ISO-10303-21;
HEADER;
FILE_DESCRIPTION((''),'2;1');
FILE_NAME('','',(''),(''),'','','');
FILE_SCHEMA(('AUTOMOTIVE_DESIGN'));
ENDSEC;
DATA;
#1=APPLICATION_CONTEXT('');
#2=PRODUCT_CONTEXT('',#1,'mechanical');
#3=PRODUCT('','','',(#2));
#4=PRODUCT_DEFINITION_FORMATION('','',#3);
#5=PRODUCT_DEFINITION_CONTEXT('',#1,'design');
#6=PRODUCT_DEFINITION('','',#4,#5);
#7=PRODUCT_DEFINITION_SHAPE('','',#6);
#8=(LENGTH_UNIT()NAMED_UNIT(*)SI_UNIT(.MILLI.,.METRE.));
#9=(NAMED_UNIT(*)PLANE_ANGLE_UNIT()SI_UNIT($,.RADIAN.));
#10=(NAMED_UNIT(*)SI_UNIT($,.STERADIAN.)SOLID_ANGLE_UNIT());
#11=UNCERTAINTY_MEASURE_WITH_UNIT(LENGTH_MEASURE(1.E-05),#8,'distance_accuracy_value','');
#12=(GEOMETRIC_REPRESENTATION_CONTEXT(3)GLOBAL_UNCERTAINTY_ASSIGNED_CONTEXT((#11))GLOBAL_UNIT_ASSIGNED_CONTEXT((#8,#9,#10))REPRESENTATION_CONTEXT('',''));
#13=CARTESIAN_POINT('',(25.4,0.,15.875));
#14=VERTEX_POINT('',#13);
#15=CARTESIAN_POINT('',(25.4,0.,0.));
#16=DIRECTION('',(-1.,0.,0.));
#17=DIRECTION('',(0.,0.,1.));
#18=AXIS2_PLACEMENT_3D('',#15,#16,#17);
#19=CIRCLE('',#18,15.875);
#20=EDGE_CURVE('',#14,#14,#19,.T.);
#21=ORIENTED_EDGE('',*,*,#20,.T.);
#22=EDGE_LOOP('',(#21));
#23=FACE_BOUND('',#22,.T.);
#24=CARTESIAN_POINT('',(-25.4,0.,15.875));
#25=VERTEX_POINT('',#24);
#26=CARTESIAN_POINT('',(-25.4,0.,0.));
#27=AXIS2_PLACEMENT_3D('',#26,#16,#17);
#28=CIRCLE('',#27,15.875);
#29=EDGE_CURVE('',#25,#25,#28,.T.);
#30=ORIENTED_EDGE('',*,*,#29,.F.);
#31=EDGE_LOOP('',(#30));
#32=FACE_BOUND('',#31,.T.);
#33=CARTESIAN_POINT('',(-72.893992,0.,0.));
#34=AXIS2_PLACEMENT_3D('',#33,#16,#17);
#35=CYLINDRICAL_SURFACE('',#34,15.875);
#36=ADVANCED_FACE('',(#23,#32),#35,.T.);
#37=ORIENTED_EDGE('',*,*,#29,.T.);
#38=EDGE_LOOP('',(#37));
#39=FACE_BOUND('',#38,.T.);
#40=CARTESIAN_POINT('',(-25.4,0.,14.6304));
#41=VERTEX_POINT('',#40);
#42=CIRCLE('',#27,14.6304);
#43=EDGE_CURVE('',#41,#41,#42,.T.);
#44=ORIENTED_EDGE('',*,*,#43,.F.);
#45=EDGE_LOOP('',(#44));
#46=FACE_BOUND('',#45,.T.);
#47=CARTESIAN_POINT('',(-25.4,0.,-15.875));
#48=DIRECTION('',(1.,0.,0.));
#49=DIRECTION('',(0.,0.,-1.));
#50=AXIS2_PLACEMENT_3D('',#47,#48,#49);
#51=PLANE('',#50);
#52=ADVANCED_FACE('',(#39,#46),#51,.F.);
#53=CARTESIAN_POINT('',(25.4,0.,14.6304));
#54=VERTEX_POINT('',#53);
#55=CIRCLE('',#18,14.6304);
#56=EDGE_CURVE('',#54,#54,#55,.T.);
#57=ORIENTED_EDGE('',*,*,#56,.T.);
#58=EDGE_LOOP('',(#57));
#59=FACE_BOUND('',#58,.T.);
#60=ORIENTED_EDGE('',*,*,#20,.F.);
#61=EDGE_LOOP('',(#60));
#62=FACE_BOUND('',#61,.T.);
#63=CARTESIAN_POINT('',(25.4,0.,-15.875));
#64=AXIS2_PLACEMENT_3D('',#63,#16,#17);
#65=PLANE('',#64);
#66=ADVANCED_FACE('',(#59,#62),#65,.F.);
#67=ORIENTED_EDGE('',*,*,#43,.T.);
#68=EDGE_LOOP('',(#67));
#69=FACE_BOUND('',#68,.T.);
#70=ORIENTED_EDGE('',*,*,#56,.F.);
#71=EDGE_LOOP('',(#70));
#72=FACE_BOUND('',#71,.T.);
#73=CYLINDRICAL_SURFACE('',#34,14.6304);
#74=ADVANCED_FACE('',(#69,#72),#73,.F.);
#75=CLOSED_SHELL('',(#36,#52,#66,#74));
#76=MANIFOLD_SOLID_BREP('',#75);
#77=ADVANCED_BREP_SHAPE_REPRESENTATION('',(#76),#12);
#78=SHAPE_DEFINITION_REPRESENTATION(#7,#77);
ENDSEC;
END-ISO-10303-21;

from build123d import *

# Parameters (mm, degrees)
SKETCH1_W = 50.8
SKETCH1_H = 1.2446


with BuildPart() as part:
    # Sketch1 → Revolve1 (revolve)
    with BuildSketch(Plane(origin=(0, 0, 0), x_dir=(1, 0, 0), z_dir=(0, 1, 0)), mode=Mode.PRIVATE) as revolve1_sk:
        with Locations((0, 15.2527)):
            Rectangle(SKETCH1_W, SKETCH1_H)
    revolve(revolve1_sk.sketch.rotate(Axis((-72.893991897, 0, 0), (1, 0, 0)), 180), axis=Axis((-72.893991897, 0, 0), (1, 0, 0)))


solid = part.part
